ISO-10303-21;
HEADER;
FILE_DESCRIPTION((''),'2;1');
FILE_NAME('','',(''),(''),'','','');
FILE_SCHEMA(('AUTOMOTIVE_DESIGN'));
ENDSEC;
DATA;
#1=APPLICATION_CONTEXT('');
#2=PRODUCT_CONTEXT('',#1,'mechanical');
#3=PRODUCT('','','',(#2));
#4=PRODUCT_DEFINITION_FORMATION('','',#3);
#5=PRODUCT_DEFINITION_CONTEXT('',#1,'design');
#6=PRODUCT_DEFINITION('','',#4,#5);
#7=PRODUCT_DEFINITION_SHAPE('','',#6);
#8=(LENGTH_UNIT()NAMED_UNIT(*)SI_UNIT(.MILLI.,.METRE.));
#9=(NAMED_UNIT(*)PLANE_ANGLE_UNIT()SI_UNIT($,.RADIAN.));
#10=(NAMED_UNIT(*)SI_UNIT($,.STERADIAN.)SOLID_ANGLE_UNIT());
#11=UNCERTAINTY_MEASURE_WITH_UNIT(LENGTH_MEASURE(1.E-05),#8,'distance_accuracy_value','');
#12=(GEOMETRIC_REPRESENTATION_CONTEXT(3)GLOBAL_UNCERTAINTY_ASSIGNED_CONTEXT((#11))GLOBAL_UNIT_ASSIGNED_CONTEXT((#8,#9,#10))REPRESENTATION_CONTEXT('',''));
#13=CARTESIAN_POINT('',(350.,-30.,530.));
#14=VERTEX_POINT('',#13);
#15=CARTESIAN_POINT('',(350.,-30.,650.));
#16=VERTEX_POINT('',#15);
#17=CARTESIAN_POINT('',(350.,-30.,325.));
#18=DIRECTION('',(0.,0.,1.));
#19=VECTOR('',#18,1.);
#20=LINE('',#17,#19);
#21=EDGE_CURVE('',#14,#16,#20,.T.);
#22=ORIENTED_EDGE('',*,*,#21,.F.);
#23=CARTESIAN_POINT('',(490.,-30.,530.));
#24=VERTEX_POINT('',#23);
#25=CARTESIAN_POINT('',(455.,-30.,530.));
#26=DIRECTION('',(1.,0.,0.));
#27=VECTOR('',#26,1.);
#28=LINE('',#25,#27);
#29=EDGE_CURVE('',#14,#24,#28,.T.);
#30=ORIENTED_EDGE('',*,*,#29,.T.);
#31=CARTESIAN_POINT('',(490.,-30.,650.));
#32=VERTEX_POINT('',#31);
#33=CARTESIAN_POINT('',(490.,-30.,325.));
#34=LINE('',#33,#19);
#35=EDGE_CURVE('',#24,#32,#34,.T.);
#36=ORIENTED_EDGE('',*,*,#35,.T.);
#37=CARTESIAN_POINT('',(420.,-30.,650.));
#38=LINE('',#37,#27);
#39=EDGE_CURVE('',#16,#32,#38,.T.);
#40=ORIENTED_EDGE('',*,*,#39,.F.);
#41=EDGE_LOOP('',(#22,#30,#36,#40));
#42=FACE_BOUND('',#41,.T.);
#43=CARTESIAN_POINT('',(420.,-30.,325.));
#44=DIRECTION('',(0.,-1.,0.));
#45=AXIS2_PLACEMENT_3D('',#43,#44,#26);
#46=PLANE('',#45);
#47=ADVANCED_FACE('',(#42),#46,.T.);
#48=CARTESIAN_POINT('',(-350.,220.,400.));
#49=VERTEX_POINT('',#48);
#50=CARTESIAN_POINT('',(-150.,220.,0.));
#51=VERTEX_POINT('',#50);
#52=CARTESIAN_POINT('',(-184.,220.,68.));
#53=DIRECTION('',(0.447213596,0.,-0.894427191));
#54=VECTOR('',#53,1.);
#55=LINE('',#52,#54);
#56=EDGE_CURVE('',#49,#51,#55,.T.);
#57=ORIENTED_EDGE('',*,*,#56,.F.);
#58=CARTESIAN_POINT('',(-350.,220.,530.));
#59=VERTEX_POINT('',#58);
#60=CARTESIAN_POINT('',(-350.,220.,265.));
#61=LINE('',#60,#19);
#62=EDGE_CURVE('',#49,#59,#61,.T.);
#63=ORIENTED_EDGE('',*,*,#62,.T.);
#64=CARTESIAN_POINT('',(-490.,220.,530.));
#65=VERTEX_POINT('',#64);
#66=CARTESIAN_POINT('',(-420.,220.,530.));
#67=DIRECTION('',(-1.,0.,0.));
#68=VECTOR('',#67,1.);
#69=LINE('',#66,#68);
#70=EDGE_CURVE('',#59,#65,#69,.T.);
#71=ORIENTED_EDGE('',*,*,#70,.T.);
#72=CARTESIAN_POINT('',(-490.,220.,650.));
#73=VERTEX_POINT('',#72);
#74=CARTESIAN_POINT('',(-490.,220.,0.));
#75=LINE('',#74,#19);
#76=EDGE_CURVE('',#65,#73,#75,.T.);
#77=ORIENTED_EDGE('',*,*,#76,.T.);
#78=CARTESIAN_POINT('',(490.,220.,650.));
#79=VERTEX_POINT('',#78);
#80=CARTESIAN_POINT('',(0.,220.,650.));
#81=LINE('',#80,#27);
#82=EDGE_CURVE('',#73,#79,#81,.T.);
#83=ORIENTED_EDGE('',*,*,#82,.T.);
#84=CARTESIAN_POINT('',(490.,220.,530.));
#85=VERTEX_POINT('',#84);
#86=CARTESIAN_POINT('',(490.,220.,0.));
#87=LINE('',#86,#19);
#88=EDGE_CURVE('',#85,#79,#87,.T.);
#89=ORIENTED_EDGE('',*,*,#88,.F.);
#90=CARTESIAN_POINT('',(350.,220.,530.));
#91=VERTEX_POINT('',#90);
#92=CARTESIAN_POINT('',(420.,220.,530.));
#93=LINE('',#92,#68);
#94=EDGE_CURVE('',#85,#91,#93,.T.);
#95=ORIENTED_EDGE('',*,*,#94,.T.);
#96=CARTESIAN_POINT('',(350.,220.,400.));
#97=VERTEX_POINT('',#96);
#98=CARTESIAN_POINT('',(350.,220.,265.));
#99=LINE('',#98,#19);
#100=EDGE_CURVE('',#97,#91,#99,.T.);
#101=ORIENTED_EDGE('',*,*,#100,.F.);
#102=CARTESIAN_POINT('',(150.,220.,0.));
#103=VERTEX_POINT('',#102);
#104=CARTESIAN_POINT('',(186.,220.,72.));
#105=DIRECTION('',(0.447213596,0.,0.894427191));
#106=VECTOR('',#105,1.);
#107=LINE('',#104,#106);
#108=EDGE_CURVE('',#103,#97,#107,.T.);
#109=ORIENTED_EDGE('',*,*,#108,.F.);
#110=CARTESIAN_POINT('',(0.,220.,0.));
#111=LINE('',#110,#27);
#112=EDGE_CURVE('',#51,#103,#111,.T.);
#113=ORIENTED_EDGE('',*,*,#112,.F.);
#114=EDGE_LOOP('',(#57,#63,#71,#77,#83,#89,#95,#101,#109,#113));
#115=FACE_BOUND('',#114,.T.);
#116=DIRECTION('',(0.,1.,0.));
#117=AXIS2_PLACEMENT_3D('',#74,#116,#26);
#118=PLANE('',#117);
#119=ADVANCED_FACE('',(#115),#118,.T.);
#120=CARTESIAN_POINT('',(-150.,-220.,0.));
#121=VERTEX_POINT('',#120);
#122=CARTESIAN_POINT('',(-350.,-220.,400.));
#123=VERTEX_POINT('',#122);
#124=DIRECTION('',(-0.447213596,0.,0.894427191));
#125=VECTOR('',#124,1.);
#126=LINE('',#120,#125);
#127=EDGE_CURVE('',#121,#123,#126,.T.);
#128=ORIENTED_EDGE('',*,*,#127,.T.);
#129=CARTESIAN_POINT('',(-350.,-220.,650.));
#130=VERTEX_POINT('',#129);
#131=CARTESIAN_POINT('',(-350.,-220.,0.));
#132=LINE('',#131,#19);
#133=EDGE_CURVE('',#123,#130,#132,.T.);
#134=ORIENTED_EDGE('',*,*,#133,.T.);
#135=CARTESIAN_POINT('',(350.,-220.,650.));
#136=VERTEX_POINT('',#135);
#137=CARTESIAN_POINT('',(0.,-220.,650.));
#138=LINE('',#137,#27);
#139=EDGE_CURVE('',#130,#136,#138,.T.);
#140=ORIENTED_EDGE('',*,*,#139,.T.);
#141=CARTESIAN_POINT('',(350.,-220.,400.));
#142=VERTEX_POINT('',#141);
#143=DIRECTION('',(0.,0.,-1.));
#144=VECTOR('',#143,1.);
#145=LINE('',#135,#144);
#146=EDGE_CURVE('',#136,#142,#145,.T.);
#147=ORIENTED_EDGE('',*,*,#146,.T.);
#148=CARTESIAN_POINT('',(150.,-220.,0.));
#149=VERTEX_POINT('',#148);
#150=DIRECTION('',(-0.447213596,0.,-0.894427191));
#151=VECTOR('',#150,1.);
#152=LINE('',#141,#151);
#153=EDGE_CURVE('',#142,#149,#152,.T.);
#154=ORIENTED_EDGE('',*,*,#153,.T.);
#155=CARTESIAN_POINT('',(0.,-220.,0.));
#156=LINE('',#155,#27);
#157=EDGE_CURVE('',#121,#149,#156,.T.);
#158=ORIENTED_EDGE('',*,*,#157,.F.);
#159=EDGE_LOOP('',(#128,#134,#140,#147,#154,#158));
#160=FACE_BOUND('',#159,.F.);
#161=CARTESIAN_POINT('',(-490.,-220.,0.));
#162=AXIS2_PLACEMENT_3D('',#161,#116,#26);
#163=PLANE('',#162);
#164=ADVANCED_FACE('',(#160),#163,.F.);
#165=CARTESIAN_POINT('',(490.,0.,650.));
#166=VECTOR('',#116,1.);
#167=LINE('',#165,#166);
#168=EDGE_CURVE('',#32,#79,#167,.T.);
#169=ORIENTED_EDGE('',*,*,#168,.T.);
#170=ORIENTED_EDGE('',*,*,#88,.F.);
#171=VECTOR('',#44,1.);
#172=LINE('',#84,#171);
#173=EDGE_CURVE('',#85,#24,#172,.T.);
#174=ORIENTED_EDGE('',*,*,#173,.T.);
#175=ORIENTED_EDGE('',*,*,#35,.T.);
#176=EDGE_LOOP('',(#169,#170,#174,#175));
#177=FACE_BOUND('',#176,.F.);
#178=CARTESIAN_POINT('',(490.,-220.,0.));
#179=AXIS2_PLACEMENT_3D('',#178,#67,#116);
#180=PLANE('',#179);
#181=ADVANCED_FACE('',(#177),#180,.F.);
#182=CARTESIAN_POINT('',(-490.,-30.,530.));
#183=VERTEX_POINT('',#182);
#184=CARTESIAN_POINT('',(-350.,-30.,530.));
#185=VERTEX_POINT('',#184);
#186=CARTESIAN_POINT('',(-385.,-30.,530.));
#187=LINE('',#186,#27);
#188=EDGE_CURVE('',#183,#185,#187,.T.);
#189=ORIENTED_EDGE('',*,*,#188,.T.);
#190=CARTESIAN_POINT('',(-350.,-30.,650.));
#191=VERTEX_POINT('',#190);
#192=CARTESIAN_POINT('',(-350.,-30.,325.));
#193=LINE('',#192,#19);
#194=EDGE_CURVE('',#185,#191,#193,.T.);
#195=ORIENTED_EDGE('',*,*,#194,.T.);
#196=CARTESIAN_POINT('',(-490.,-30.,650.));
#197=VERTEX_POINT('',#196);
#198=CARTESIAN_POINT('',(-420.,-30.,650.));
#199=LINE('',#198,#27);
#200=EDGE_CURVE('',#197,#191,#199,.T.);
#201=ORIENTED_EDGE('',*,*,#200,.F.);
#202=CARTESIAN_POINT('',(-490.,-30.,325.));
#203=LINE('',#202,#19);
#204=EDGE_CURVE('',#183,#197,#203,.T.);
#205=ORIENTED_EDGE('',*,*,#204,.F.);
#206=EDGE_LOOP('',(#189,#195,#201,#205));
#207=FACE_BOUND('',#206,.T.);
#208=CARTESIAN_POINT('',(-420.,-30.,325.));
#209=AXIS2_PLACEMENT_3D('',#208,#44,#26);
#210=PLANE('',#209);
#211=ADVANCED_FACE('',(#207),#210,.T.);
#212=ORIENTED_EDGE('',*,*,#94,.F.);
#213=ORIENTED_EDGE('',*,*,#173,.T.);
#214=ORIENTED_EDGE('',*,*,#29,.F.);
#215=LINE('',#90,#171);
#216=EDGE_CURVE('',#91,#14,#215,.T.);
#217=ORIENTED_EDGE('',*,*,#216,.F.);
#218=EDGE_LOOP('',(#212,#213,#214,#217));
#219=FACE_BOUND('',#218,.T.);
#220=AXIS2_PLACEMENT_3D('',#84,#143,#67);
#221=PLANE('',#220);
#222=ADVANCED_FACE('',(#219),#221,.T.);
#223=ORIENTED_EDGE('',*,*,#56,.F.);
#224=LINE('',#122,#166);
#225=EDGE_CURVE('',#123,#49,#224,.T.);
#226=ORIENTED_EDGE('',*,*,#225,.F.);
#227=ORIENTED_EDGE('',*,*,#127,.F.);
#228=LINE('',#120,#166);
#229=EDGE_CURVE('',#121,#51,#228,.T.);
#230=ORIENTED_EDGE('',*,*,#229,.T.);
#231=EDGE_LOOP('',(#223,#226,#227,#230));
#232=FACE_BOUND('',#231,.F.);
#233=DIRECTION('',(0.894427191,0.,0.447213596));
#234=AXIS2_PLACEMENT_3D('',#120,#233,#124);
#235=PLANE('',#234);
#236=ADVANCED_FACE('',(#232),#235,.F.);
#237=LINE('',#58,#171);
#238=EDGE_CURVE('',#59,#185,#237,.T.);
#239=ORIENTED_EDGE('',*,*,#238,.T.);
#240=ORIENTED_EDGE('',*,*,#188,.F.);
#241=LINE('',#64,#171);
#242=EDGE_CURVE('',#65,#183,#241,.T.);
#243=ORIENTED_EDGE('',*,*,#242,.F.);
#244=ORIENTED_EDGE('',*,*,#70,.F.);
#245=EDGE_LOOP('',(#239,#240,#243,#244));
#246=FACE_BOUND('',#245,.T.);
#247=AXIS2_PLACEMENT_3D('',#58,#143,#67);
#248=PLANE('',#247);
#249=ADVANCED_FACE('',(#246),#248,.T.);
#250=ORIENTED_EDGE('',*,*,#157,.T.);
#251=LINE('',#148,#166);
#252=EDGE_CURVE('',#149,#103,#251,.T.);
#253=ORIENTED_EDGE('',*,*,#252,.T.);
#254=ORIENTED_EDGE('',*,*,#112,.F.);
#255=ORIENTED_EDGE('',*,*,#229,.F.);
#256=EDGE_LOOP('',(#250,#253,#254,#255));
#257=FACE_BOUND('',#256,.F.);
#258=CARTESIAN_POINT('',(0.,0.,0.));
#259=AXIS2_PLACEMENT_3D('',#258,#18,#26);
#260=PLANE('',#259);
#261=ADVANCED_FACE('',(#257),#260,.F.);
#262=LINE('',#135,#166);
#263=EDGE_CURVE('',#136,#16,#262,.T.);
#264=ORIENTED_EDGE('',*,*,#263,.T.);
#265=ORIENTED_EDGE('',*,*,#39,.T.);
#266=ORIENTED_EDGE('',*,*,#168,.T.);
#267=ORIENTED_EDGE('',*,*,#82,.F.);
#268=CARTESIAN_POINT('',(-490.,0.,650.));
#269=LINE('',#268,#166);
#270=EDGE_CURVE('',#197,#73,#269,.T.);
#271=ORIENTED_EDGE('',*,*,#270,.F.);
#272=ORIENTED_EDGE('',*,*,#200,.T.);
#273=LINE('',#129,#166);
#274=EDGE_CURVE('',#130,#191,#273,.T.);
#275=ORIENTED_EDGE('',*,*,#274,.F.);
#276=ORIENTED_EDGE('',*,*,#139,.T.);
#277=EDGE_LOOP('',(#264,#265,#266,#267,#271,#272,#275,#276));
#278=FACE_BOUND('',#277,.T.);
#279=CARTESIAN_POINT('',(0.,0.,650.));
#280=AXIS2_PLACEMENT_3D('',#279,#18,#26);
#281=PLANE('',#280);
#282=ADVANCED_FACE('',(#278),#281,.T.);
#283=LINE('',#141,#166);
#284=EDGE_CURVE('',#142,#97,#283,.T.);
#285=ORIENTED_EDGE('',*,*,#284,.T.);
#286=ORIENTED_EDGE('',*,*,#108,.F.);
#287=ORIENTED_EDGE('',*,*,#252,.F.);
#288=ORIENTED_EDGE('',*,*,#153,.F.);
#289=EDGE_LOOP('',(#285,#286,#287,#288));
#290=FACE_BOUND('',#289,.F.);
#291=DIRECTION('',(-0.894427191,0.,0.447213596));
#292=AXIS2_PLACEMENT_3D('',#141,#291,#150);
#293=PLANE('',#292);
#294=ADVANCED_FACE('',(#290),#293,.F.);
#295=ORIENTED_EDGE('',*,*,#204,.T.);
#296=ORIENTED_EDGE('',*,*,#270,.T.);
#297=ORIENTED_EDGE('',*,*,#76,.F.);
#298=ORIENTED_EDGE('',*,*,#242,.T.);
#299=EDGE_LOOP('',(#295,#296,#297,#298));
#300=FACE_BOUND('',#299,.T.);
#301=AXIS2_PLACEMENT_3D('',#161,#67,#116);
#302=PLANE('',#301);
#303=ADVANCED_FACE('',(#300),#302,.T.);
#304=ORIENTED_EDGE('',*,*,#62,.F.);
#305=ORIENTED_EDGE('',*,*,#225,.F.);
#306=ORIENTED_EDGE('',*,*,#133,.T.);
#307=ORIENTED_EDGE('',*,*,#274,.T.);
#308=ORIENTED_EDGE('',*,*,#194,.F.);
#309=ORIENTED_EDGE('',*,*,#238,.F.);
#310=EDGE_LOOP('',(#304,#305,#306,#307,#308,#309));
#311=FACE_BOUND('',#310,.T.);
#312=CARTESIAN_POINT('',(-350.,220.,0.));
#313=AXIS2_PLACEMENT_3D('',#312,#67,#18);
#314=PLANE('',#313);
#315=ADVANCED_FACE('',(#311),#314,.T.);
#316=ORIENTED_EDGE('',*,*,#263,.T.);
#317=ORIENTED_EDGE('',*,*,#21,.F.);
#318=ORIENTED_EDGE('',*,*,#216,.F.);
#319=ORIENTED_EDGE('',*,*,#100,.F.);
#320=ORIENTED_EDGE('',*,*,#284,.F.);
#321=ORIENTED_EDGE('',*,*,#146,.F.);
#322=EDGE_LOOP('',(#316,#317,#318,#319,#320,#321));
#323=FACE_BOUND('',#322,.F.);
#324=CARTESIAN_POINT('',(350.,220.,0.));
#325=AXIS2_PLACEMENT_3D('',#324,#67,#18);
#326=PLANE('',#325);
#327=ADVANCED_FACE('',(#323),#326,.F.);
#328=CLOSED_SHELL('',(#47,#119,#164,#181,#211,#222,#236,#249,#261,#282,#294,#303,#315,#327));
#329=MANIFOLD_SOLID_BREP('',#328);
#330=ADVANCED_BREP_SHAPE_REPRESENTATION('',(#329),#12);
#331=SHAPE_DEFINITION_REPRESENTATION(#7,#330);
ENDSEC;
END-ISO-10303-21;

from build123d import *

# Parameters (mm, degrees)
F0_W     = 980
F0_H     = 440
F1_DEPTH = 650
F2_W     = 140
F2_H     = 650
F3_DEPTH = 190
F4_W     = 140
F4_H     = 530
F5_DEPTH = 440.001
F7_DEPTH = 440.001


with BuildPart() as f1:
    # F0 (on Top) → F1 (new body)
    with BuildSketch(Plane.XY):
        Rectangle(F0_W, F0_H)
    extrude(amount=F1_DEPTH)

    # F2 (on face) → F3 (cut)
    with BuildSketch(Plane.XZ.offset(220)):
        with Locations((-420, 325)):
            Rectangle(F2_W, F2_H)
        with Locations((420, 325)):
            Rectangle(F2_W, F2_H)
    extrude(amount=-F3_DEPTH, mode=Mode.SUBTRACT)

    # F4 (on face) → F5 (cut, through all)
    with BuildSketch(Plane(origin=(0, 220, 0), x_dir=(-1, 0, 0), z_dir=(0, 1, 0))):
        with Locations((-420, 265)):
            Rectangle(F4_W, F4_H)
        with Locations((420, 265)):
            Rectangle(F4_W, F4_H)
    extrude(amount=-F5_DEPTH, mode=Mode.SUBTRACT)

    # F6 (on face) → F7 (cut, through all)
    with BuildSketch(Plane.XZ.offset(220)):
        Polygon((-350, 400), (-350, 0), (-150, 0), align=None)
        Polygon((350, 400), (150, 0), (350, 0), align=None)
    extrude(amount=-F7_DEPTH, mode=Mode.SUBTRACT)


solid = f1.part
